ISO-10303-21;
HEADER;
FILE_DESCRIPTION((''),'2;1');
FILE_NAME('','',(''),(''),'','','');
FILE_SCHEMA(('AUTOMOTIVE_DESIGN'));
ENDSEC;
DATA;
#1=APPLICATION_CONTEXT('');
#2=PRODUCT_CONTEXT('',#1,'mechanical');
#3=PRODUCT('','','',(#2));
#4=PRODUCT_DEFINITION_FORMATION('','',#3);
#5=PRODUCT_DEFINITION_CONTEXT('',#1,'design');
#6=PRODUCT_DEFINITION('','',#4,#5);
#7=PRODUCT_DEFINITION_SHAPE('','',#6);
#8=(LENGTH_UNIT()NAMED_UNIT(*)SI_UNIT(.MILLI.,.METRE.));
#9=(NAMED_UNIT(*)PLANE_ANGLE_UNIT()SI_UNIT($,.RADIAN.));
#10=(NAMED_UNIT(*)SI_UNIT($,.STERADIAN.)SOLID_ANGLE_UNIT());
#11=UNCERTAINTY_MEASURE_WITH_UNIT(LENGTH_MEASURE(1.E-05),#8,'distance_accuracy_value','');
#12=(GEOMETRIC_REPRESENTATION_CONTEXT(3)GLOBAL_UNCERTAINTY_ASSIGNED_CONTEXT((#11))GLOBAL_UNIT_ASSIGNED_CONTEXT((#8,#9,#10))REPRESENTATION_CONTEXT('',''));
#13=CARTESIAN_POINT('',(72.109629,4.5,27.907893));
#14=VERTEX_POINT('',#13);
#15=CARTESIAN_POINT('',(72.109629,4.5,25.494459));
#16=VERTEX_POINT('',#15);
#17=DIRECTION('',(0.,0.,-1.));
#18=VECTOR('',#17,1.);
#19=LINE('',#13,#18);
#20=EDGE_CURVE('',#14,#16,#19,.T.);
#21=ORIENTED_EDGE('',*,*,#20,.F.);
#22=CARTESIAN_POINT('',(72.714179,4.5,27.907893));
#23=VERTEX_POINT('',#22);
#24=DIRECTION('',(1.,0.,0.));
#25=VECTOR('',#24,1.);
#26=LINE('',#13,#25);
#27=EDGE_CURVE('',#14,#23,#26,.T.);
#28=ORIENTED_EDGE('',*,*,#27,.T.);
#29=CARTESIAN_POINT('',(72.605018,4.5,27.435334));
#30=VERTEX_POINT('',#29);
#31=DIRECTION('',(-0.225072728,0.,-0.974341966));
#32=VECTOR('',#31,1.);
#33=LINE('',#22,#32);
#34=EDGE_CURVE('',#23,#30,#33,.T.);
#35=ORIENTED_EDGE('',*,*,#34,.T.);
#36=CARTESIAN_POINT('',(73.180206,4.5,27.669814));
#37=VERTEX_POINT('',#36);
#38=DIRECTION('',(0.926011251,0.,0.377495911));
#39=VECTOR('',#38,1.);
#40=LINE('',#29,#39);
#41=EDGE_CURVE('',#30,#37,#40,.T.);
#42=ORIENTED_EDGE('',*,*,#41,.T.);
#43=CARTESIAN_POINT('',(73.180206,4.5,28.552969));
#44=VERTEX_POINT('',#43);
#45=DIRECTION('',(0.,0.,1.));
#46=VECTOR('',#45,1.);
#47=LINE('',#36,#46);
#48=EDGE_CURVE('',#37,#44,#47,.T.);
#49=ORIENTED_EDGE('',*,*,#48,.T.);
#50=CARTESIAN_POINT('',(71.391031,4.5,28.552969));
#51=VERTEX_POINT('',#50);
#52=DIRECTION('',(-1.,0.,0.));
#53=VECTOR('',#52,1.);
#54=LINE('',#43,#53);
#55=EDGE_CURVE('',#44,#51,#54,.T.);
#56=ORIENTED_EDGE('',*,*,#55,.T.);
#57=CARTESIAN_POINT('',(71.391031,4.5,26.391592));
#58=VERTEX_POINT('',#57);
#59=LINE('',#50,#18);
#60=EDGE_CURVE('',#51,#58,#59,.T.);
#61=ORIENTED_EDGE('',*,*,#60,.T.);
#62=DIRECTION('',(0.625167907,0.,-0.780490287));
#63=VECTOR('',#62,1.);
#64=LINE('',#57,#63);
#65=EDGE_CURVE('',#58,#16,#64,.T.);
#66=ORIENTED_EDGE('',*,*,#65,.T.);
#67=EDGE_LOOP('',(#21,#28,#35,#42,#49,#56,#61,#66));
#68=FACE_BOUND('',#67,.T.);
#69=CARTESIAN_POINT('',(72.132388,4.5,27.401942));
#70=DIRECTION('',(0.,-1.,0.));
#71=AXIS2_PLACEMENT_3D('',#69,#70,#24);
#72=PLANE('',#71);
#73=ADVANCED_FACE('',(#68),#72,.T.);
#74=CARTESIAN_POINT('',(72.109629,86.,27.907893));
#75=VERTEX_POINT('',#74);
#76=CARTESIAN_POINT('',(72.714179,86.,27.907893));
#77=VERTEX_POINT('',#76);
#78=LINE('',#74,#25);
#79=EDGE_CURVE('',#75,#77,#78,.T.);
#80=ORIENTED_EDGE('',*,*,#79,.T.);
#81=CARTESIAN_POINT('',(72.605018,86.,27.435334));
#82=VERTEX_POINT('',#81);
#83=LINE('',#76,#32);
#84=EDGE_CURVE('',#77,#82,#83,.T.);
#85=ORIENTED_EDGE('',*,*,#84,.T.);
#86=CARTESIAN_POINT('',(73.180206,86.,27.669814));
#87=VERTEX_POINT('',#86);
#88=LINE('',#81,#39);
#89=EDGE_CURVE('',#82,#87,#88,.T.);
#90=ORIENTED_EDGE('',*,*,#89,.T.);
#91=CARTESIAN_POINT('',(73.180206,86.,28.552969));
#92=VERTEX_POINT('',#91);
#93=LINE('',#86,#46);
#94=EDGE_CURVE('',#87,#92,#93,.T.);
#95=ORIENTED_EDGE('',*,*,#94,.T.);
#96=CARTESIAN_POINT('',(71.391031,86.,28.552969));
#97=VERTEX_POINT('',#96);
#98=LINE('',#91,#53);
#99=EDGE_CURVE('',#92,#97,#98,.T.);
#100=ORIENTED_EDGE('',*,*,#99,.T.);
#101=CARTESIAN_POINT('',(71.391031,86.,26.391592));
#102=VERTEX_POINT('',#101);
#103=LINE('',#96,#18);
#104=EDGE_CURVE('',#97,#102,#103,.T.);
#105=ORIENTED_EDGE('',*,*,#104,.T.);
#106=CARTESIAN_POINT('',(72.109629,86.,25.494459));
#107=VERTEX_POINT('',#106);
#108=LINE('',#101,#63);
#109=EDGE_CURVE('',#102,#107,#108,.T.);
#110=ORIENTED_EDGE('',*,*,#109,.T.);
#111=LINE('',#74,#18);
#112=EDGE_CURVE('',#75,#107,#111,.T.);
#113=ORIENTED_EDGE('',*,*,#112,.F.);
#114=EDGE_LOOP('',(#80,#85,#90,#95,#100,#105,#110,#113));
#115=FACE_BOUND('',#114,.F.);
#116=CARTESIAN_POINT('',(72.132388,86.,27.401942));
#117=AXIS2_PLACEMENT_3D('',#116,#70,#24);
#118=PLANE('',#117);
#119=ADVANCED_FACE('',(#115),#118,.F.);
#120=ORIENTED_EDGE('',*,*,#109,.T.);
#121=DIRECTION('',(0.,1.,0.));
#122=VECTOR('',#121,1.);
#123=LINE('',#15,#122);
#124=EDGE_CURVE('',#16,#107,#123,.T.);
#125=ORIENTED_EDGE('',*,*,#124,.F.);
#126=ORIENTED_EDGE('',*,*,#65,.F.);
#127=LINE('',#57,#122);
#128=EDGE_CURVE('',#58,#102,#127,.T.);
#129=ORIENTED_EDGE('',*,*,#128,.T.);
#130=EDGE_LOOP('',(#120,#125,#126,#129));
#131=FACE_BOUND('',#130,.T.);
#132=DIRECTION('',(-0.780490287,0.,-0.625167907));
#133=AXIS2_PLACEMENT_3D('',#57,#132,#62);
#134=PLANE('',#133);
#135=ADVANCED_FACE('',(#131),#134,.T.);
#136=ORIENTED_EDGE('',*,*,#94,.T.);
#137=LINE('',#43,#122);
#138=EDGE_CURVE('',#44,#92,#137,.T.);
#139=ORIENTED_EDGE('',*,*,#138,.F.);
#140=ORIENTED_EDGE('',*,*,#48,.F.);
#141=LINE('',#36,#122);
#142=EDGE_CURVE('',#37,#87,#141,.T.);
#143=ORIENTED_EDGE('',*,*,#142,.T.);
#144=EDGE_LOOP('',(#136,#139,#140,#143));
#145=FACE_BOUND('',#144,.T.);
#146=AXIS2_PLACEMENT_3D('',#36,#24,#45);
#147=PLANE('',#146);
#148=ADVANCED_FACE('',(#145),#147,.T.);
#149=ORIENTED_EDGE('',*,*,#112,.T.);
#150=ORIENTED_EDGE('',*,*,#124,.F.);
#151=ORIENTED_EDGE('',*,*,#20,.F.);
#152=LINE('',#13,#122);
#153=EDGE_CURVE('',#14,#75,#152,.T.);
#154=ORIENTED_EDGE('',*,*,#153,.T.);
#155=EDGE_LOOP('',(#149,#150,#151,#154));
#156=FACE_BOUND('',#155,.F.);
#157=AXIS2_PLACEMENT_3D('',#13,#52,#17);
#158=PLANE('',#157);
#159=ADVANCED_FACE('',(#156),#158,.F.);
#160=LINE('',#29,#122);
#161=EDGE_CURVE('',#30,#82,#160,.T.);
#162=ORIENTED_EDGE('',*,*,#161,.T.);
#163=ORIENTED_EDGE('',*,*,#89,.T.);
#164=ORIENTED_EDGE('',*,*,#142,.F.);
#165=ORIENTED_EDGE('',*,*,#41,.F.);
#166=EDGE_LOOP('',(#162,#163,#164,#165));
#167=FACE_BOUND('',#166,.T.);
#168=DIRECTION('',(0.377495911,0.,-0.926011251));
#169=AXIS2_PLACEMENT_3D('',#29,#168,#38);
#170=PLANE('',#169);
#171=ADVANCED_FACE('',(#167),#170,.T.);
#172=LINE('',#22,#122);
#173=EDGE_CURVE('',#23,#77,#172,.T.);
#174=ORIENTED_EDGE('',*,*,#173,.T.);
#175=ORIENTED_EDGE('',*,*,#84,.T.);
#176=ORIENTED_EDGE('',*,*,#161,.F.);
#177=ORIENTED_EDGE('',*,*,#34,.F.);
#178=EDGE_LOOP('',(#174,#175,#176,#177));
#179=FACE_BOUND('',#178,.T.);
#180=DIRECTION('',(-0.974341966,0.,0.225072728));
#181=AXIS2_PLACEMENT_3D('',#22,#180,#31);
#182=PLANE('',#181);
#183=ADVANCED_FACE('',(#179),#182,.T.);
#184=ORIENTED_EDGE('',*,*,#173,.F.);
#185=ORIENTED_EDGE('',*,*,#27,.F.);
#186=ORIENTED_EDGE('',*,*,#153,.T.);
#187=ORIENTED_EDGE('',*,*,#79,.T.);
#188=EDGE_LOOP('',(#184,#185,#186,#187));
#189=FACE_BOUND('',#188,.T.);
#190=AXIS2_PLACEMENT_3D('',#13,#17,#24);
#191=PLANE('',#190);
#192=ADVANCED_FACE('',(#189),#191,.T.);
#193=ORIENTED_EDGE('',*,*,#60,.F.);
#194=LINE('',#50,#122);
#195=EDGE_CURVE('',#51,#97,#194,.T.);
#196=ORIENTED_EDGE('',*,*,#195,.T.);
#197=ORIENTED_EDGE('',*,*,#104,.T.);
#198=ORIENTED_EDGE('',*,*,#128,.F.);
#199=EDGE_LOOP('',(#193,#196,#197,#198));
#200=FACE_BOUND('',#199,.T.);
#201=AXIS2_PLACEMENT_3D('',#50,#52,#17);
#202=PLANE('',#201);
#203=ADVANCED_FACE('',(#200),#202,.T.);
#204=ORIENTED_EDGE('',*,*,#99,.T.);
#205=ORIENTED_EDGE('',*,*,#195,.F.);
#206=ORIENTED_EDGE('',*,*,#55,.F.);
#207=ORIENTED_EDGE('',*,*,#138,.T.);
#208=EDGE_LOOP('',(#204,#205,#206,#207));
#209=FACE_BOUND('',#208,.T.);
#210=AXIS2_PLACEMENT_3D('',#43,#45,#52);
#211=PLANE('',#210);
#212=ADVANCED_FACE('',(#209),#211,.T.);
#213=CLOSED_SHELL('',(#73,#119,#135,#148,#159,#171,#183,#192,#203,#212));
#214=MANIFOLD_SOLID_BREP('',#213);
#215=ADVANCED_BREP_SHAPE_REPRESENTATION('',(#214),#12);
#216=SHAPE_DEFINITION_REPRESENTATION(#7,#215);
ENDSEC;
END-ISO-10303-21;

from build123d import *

# Parameters (mm, degrees)
EXTRUDE104_DEPTH                  = 81.5
PART_MIRRORING002_PLACEMENT_ANGLE = 90


with BuildPart() as bottom_notch003:
    # Sketch106 → Extrude104 (new body)
    with BuildSketch(Plane.YZ):
        Polygon((1.890375, 25.594459), (1.890375, 27.613628), (1.890375, 28.007893), (1.285825, 28.007893), (1.394986, 27.535334), (0.819798, 27.769814), (0.819798, 28.652969), (2.608973, 28.652969), (2.608973, 26.491592), align=None)
    extrude(amount=EXTRUDE104_DEPTH)


with BuildPart() as bottom_notch003_1:
    # Extrude104 placement: moved
    add(bottom_notch003.part.moved(Location((4.5, 0, -0.1))))


with BuildPart() as right_notch:
    # Part__Mirroring002: instance of Bottom_Notch003
    add(bottom_notch003_1.part.mirror(Plane(origin=(37, 2e-06, 27.023727), x_dir=(1, 0, 0), z_dir=(0, 1, 0))))


with BuildPart() as right_notch_1:
    # Part__Mirroring002 placement: moved
    add(right_notch.part.rotate(Axis((0, 0, 0), (0, 0, 1)), PART_MIRRORING002_PLACEMENT_ANGLE))


with BuildPart() as part_mirroring003:
    # Part__Mirroring003: instance of right_notch
    add(right_notch_1.part.mirror(Plane(origin=(0, 0, 0), x_dir=(0, -1, 0), z_dir=(1, 0, 0))))


with BuildPart() as part_mirroring003_1:
    # Part__Mirroring003 placement: moved
    add(part_mirroring003.part.moved(Location((74, 0, 0))))


solid = part_mirroring003_1.part
